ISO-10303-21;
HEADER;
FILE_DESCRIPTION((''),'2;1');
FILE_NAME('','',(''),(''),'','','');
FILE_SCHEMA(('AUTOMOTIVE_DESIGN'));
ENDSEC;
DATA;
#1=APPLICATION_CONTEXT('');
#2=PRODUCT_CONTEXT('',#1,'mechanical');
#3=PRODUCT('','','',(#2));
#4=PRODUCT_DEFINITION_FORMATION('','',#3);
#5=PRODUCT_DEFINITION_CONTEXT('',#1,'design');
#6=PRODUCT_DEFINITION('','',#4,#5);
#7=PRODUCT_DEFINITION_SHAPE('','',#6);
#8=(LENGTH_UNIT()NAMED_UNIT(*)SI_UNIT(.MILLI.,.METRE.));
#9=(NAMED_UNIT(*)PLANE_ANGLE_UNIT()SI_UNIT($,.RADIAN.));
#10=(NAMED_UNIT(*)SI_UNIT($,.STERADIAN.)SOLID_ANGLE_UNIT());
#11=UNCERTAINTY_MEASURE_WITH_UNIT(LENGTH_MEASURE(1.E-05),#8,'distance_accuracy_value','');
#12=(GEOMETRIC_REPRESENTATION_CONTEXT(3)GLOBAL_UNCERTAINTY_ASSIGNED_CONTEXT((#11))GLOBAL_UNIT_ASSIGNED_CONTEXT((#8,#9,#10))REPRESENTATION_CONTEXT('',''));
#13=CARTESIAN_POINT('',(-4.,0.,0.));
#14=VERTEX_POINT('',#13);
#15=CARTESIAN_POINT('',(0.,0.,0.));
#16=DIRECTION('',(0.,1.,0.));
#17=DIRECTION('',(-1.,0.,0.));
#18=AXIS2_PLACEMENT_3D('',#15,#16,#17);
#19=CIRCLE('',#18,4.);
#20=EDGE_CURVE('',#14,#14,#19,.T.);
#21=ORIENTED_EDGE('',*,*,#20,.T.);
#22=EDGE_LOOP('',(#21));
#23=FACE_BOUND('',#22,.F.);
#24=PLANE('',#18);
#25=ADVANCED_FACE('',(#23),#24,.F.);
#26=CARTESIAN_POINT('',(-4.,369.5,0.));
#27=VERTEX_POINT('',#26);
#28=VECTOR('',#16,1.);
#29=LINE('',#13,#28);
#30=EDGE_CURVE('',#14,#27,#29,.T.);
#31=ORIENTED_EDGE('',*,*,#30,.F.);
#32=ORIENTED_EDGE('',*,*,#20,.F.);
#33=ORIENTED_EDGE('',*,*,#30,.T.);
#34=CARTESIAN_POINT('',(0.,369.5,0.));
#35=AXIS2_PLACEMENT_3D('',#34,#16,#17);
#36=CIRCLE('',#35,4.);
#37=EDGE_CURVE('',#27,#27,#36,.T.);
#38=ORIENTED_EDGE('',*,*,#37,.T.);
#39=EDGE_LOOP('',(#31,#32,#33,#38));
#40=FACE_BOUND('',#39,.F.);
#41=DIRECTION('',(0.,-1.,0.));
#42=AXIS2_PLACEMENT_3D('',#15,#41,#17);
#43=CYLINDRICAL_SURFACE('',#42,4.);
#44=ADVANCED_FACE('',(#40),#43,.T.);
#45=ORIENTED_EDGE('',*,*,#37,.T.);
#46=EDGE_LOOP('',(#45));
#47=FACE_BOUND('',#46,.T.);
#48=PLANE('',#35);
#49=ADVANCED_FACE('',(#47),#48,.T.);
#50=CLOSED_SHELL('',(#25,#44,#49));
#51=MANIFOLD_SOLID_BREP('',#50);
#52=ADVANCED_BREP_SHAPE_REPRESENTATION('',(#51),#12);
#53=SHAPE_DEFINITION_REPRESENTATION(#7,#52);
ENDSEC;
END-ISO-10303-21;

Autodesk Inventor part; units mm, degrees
ref_plane "YZ Plane" through (0, 0, 0) normal (1, 0, 0) x (0, 1, 0)
ref_plane "XZ Plane" through (0, 0, 0) normal (0, 1, 0) x (-1, 0, 0)
ref_plane "XY Plane" through (0, 0, 0) normal (0, 0, 1) x (1, 0, 0)
sketch "Sketch1" plane through (0, 0, 0) normal (0, 1, 0) x (-1, 0, 0)
  circle A0 centre (0, 0) radius 4
  dimension "d0" = 8
extrude "Extrusion1" add sketch "Sketch1" along normal blind 369.5
properties part number "YRod"
